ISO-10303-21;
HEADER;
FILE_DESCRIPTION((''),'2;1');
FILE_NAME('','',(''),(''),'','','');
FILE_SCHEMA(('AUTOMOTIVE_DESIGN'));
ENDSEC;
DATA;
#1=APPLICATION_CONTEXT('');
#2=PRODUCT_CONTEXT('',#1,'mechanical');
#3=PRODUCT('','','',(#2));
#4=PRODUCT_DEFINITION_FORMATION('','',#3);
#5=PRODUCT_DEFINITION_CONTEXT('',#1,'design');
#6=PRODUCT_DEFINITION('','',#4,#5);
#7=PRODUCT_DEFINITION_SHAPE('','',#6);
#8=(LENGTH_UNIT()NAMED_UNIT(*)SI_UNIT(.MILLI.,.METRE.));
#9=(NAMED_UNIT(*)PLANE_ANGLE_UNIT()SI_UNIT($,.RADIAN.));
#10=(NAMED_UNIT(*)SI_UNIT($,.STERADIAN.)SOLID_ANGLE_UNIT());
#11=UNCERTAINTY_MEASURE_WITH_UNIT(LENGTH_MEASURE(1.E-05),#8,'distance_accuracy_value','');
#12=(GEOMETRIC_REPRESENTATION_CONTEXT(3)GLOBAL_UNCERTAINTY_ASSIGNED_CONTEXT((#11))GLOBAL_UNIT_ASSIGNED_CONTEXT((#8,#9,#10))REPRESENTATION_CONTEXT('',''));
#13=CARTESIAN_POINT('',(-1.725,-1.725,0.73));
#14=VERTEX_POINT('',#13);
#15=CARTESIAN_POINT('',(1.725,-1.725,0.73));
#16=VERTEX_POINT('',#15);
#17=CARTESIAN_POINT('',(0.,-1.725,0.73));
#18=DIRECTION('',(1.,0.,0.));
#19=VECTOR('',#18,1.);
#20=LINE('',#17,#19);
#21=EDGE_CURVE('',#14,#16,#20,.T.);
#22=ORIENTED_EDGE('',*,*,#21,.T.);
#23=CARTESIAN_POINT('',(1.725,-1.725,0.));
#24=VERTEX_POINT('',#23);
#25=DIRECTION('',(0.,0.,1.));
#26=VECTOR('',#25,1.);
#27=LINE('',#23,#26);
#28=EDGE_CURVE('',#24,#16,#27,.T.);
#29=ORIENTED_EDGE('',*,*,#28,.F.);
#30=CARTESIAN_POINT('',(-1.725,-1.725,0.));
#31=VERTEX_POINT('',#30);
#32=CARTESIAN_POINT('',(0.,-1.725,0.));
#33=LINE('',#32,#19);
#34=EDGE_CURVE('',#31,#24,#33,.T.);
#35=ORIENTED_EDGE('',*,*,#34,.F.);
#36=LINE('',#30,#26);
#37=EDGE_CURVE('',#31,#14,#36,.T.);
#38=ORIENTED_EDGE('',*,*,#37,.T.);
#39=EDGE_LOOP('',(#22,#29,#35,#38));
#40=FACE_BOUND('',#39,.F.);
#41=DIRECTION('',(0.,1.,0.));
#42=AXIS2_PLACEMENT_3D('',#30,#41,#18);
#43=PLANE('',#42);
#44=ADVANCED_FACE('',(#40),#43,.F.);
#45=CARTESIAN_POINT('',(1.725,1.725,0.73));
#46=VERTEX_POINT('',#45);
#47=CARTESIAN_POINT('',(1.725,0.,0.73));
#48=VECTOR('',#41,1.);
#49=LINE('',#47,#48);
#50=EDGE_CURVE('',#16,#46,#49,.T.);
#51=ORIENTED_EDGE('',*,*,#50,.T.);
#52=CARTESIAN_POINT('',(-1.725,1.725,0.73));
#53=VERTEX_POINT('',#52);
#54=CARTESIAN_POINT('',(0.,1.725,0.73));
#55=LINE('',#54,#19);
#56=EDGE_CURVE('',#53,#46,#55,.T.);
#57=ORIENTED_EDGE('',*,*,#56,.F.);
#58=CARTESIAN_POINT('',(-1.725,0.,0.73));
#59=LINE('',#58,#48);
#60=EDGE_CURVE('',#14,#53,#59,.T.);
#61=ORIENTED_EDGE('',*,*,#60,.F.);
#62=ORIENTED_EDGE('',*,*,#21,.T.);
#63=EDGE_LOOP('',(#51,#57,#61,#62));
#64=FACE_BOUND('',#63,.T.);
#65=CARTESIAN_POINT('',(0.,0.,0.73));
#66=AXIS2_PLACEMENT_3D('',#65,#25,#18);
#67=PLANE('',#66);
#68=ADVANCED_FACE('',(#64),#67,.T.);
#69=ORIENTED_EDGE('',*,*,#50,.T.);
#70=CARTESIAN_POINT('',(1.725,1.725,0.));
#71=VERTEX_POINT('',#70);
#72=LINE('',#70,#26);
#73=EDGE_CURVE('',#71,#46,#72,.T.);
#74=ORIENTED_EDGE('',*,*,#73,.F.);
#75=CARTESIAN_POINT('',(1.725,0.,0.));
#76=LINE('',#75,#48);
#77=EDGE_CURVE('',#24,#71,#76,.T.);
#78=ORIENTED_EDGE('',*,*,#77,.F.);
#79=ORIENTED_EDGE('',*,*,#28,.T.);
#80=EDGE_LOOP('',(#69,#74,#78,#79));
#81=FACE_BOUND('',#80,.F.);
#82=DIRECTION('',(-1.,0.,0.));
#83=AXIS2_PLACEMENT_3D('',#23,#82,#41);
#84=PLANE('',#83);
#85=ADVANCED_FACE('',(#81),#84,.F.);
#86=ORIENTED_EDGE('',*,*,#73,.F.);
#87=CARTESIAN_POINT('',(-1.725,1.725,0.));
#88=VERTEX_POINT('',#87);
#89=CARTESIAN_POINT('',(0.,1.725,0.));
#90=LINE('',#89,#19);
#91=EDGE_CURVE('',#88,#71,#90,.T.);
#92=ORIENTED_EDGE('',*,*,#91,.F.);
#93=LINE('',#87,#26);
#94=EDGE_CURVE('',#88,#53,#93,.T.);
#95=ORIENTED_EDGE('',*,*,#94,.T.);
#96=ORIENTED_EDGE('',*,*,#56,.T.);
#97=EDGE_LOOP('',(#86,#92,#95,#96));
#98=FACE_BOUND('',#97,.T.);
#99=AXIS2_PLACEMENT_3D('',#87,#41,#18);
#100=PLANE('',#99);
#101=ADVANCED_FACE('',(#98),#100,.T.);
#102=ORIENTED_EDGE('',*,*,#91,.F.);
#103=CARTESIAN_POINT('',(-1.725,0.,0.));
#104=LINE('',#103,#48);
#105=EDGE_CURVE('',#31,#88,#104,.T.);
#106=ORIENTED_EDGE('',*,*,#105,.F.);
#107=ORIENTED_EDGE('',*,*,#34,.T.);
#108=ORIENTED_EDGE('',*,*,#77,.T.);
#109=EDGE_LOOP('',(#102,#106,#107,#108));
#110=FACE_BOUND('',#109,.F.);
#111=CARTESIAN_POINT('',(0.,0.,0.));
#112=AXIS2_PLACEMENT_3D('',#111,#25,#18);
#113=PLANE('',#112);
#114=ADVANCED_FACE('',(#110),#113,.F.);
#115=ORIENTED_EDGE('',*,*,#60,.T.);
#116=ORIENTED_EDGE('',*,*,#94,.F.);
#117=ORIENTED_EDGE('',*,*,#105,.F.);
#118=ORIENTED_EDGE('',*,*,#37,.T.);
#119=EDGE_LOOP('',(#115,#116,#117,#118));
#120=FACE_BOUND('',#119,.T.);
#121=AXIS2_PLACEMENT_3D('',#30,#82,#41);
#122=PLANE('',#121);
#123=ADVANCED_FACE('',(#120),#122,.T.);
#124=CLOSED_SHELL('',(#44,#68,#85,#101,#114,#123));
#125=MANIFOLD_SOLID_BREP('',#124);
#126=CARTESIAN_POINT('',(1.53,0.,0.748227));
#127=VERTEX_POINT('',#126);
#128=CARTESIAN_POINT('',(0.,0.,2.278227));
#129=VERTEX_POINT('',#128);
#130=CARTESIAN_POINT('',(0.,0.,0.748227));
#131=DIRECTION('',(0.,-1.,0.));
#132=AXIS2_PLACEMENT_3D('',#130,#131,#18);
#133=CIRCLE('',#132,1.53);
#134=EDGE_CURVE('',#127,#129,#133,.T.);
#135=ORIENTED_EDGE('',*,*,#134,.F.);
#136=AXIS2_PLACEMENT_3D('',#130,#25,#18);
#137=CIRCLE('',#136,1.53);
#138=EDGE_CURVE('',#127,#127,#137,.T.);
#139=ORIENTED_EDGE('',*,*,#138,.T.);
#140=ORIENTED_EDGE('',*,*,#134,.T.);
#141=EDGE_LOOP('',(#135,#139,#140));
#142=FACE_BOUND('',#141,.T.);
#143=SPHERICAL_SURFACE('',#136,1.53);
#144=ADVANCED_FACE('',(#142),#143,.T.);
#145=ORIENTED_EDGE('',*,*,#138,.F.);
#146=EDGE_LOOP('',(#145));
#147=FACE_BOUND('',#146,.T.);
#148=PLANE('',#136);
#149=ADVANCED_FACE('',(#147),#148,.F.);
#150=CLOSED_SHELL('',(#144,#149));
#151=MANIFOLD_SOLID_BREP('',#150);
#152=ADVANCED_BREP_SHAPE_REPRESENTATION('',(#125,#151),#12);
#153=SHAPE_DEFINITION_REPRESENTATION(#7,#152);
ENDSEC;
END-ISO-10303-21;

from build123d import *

# Parameters (mm, degrees)
F0_W     = 3.45
F0_H     = 3.45
F1_DEPTH = 0.73


with BuildPart() as f1:
    # F0 (on Top) → F1 (new body)
    with BuildSketch(Plane.XY):
        Rectangle(F0_W, F0_H)
    extrude(amount=F1_DEPTH)


with BuildPart() as f4:
    # F3 (on Front) → F4 (revolve)
    with BuildSketch(Plane.XZ):
        with BuildLine():
            Line((0, 2.26), (0, 0.7482266519))
            Line((0, 0.7482266519), (1.53, 0.7482266519))
            ThreePointArc((1.53, 0.7482266519), (1.0818733752, 1.8301000271), (0, 2.2782266519))
            Line((0, 2.2782266519), (0, 2.26))
        make_face()
    revolve(axis=Axis((0, 0, 0.73), (0, 0, 1)))


solid = Compound([f1.part, f4.part])
